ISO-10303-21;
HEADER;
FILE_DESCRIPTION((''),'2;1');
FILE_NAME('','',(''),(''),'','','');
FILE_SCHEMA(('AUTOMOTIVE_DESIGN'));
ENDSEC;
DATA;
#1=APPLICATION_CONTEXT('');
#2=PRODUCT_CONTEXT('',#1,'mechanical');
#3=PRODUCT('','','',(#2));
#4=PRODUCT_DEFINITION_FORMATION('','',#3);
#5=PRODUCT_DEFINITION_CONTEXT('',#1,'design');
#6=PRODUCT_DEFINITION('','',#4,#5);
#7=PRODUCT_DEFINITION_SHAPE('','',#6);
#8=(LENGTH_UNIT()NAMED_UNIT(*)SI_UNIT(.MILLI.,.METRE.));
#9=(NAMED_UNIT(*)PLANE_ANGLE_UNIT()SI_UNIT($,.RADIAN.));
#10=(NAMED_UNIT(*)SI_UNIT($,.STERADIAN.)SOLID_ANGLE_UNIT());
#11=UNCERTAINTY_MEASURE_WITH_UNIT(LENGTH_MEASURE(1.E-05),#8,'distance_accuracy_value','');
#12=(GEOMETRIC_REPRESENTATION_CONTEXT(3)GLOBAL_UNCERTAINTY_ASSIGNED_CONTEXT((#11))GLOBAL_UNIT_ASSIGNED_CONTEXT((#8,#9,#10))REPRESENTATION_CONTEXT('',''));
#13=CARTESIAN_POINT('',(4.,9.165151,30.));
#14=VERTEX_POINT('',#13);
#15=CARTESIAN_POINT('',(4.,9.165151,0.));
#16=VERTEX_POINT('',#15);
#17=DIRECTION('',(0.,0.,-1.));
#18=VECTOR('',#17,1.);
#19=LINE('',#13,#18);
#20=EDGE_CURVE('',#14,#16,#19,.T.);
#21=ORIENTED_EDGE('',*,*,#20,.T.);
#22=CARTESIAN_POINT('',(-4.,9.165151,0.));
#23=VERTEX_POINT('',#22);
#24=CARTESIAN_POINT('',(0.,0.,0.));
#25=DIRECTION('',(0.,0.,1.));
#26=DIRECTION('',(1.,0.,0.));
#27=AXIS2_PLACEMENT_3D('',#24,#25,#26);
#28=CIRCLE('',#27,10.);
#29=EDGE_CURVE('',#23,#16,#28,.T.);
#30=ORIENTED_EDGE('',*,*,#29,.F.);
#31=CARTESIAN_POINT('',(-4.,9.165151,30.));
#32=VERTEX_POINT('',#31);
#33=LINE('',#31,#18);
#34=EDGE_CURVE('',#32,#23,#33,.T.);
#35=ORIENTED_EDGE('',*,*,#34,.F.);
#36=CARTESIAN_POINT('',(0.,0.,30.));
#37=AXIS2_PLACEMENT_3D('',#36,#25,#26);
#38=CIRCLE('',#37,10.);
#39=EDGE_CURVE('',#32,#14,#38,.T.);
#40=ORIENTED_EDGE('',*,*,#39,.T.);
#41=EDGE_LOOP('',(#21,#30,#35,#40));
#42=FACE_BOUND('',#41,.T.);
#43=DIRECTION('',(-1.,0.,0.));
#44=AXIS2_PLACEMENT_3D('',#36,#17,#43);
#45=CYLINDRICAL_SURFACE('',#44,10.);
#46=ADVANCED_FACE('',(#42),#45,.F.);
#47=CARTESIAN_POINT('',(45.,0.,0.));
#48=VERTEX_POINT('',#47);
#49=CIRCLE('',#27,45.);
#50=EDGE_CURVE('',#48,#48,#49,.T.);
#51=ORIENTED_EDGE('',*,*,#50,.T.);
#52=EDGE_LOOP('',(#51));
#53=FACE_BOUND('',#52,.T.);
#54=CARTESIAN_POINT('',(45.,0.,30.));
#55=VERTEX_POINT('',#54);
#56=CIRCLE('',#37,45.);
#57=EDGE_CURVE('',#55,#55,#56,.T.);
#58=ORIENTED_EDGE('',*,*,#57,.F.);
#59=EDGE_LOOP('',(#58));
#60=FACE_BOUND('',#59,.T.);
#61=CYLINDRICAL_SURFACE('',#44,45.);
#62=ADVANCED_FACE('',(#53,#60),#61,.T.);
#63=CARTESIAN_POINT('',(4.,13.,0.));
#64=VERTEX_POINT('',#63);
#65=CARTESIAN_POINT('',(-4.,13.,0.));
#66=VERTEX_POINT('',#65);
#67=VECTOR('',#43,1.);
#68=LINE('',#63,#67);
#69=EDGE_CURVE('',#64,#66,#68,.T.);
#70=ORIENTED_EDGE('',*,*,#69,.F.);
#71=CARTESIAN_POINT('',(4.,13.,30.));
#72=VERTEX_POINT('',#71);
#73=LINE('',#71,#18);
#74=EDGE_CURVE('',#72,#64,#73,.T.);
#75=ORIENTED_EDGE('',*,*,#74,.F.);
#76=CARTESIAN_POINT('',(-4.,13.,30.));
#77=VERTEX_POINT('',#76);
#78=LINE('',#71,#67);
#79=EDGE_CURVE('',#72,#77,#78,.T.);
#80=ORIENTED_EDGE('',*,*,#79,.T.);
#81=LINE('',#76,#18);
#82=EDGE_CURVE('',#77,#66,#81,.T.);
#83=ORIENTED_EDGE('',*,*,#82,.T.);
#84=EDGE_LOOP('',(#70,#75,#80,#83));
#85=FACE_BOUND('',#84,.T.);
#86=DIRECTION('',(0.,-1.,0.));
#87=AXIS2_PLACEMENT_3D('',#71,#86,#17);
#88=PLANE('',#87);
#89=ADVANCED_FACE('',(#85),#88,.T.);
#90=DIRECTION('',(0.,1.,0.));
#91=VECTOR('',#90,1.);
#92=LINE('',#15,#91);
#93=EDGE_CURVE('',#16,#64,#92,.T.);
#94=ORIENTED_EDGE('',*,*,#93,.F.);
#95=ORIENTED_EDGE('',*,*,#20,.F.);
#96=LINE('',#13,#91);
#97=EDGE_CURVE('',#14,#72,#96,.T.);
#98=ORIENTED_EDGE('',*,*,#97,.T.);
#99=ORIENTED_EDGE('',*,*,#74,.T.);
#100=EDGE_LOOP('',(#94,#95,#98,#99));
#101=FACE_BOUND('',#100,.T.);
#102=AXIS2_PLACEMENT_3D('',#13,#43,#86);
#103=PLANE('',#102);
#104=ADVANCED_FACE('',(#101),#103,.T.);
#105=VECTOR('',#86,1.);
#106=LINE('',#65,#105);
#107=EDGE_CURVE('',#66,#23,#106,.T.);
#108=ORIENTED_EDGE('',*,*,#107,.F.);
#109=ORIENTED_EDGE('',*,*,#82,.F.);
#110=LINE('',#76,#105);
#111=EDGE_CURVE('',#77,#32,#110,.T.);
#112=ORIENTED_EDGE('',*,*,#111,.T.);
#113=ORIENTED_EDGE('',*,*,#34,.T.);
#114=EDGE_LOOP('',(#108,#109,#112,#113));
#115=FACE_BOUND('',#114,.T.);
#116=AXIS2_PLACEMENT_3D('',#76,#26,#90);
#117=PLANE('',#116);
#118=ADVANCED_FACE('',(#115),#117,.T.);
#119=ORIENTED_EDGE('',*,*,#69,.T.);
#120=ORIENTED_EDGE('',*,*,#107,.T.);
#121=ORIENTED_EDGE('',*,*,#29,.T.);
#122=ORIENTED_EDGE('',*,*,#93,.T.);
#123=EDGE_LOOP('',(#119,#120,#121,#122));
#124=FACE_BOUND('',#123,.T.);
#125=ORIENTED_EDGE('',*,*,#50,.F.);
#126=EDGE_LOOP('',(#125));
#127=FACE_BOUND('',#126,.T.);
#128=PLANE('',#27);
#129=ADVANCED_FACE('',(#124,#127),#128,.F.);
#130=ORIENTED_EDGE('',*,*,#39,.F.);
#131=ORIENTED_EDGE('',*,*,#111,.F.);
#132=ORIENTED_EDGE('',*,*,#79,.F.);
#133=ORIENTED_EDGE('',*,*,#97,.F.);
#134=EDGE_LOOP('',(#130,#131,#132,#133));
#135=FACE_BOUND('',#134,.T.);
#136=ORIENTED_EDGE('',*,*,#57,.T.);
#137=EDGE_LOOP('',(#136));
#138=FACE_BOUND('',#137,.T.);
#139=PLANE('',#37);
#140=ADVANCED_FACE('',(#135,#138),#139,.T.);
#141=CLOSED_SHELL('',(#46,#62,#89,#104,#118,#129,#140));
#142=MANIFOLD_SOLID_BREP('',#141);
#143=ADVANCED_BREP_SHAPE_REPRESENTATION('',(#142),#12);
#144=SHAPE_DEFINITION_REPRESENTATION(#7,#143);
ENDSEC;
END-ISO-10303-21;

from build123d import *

# Parameters (mm, degrees)
SKETCH1_R           = 45
BOSS_EXTRUDE1_DEPTH = 30


with BuildPart() as part:
    # Sketch1 → Boss-Extrude1 (new body)
    with BuildSketch(Plane.XY):
        Circle(SKETCH1_R)
        with BuildLine():
            Line((4, 9.16515139), (4, 13))
            Line((4, 13), (-4, 13))
            Line((-4, 13), (-4, 9.16515139))
            ThreePointArc((-4, 9.16515139), (0, -10), (4, 9.16515139))
        make_face(mode=Mode.SUBTRACT)
    extrude(amount=BOSS_EXTRUDE1_DEPTH)


solid = part.part
